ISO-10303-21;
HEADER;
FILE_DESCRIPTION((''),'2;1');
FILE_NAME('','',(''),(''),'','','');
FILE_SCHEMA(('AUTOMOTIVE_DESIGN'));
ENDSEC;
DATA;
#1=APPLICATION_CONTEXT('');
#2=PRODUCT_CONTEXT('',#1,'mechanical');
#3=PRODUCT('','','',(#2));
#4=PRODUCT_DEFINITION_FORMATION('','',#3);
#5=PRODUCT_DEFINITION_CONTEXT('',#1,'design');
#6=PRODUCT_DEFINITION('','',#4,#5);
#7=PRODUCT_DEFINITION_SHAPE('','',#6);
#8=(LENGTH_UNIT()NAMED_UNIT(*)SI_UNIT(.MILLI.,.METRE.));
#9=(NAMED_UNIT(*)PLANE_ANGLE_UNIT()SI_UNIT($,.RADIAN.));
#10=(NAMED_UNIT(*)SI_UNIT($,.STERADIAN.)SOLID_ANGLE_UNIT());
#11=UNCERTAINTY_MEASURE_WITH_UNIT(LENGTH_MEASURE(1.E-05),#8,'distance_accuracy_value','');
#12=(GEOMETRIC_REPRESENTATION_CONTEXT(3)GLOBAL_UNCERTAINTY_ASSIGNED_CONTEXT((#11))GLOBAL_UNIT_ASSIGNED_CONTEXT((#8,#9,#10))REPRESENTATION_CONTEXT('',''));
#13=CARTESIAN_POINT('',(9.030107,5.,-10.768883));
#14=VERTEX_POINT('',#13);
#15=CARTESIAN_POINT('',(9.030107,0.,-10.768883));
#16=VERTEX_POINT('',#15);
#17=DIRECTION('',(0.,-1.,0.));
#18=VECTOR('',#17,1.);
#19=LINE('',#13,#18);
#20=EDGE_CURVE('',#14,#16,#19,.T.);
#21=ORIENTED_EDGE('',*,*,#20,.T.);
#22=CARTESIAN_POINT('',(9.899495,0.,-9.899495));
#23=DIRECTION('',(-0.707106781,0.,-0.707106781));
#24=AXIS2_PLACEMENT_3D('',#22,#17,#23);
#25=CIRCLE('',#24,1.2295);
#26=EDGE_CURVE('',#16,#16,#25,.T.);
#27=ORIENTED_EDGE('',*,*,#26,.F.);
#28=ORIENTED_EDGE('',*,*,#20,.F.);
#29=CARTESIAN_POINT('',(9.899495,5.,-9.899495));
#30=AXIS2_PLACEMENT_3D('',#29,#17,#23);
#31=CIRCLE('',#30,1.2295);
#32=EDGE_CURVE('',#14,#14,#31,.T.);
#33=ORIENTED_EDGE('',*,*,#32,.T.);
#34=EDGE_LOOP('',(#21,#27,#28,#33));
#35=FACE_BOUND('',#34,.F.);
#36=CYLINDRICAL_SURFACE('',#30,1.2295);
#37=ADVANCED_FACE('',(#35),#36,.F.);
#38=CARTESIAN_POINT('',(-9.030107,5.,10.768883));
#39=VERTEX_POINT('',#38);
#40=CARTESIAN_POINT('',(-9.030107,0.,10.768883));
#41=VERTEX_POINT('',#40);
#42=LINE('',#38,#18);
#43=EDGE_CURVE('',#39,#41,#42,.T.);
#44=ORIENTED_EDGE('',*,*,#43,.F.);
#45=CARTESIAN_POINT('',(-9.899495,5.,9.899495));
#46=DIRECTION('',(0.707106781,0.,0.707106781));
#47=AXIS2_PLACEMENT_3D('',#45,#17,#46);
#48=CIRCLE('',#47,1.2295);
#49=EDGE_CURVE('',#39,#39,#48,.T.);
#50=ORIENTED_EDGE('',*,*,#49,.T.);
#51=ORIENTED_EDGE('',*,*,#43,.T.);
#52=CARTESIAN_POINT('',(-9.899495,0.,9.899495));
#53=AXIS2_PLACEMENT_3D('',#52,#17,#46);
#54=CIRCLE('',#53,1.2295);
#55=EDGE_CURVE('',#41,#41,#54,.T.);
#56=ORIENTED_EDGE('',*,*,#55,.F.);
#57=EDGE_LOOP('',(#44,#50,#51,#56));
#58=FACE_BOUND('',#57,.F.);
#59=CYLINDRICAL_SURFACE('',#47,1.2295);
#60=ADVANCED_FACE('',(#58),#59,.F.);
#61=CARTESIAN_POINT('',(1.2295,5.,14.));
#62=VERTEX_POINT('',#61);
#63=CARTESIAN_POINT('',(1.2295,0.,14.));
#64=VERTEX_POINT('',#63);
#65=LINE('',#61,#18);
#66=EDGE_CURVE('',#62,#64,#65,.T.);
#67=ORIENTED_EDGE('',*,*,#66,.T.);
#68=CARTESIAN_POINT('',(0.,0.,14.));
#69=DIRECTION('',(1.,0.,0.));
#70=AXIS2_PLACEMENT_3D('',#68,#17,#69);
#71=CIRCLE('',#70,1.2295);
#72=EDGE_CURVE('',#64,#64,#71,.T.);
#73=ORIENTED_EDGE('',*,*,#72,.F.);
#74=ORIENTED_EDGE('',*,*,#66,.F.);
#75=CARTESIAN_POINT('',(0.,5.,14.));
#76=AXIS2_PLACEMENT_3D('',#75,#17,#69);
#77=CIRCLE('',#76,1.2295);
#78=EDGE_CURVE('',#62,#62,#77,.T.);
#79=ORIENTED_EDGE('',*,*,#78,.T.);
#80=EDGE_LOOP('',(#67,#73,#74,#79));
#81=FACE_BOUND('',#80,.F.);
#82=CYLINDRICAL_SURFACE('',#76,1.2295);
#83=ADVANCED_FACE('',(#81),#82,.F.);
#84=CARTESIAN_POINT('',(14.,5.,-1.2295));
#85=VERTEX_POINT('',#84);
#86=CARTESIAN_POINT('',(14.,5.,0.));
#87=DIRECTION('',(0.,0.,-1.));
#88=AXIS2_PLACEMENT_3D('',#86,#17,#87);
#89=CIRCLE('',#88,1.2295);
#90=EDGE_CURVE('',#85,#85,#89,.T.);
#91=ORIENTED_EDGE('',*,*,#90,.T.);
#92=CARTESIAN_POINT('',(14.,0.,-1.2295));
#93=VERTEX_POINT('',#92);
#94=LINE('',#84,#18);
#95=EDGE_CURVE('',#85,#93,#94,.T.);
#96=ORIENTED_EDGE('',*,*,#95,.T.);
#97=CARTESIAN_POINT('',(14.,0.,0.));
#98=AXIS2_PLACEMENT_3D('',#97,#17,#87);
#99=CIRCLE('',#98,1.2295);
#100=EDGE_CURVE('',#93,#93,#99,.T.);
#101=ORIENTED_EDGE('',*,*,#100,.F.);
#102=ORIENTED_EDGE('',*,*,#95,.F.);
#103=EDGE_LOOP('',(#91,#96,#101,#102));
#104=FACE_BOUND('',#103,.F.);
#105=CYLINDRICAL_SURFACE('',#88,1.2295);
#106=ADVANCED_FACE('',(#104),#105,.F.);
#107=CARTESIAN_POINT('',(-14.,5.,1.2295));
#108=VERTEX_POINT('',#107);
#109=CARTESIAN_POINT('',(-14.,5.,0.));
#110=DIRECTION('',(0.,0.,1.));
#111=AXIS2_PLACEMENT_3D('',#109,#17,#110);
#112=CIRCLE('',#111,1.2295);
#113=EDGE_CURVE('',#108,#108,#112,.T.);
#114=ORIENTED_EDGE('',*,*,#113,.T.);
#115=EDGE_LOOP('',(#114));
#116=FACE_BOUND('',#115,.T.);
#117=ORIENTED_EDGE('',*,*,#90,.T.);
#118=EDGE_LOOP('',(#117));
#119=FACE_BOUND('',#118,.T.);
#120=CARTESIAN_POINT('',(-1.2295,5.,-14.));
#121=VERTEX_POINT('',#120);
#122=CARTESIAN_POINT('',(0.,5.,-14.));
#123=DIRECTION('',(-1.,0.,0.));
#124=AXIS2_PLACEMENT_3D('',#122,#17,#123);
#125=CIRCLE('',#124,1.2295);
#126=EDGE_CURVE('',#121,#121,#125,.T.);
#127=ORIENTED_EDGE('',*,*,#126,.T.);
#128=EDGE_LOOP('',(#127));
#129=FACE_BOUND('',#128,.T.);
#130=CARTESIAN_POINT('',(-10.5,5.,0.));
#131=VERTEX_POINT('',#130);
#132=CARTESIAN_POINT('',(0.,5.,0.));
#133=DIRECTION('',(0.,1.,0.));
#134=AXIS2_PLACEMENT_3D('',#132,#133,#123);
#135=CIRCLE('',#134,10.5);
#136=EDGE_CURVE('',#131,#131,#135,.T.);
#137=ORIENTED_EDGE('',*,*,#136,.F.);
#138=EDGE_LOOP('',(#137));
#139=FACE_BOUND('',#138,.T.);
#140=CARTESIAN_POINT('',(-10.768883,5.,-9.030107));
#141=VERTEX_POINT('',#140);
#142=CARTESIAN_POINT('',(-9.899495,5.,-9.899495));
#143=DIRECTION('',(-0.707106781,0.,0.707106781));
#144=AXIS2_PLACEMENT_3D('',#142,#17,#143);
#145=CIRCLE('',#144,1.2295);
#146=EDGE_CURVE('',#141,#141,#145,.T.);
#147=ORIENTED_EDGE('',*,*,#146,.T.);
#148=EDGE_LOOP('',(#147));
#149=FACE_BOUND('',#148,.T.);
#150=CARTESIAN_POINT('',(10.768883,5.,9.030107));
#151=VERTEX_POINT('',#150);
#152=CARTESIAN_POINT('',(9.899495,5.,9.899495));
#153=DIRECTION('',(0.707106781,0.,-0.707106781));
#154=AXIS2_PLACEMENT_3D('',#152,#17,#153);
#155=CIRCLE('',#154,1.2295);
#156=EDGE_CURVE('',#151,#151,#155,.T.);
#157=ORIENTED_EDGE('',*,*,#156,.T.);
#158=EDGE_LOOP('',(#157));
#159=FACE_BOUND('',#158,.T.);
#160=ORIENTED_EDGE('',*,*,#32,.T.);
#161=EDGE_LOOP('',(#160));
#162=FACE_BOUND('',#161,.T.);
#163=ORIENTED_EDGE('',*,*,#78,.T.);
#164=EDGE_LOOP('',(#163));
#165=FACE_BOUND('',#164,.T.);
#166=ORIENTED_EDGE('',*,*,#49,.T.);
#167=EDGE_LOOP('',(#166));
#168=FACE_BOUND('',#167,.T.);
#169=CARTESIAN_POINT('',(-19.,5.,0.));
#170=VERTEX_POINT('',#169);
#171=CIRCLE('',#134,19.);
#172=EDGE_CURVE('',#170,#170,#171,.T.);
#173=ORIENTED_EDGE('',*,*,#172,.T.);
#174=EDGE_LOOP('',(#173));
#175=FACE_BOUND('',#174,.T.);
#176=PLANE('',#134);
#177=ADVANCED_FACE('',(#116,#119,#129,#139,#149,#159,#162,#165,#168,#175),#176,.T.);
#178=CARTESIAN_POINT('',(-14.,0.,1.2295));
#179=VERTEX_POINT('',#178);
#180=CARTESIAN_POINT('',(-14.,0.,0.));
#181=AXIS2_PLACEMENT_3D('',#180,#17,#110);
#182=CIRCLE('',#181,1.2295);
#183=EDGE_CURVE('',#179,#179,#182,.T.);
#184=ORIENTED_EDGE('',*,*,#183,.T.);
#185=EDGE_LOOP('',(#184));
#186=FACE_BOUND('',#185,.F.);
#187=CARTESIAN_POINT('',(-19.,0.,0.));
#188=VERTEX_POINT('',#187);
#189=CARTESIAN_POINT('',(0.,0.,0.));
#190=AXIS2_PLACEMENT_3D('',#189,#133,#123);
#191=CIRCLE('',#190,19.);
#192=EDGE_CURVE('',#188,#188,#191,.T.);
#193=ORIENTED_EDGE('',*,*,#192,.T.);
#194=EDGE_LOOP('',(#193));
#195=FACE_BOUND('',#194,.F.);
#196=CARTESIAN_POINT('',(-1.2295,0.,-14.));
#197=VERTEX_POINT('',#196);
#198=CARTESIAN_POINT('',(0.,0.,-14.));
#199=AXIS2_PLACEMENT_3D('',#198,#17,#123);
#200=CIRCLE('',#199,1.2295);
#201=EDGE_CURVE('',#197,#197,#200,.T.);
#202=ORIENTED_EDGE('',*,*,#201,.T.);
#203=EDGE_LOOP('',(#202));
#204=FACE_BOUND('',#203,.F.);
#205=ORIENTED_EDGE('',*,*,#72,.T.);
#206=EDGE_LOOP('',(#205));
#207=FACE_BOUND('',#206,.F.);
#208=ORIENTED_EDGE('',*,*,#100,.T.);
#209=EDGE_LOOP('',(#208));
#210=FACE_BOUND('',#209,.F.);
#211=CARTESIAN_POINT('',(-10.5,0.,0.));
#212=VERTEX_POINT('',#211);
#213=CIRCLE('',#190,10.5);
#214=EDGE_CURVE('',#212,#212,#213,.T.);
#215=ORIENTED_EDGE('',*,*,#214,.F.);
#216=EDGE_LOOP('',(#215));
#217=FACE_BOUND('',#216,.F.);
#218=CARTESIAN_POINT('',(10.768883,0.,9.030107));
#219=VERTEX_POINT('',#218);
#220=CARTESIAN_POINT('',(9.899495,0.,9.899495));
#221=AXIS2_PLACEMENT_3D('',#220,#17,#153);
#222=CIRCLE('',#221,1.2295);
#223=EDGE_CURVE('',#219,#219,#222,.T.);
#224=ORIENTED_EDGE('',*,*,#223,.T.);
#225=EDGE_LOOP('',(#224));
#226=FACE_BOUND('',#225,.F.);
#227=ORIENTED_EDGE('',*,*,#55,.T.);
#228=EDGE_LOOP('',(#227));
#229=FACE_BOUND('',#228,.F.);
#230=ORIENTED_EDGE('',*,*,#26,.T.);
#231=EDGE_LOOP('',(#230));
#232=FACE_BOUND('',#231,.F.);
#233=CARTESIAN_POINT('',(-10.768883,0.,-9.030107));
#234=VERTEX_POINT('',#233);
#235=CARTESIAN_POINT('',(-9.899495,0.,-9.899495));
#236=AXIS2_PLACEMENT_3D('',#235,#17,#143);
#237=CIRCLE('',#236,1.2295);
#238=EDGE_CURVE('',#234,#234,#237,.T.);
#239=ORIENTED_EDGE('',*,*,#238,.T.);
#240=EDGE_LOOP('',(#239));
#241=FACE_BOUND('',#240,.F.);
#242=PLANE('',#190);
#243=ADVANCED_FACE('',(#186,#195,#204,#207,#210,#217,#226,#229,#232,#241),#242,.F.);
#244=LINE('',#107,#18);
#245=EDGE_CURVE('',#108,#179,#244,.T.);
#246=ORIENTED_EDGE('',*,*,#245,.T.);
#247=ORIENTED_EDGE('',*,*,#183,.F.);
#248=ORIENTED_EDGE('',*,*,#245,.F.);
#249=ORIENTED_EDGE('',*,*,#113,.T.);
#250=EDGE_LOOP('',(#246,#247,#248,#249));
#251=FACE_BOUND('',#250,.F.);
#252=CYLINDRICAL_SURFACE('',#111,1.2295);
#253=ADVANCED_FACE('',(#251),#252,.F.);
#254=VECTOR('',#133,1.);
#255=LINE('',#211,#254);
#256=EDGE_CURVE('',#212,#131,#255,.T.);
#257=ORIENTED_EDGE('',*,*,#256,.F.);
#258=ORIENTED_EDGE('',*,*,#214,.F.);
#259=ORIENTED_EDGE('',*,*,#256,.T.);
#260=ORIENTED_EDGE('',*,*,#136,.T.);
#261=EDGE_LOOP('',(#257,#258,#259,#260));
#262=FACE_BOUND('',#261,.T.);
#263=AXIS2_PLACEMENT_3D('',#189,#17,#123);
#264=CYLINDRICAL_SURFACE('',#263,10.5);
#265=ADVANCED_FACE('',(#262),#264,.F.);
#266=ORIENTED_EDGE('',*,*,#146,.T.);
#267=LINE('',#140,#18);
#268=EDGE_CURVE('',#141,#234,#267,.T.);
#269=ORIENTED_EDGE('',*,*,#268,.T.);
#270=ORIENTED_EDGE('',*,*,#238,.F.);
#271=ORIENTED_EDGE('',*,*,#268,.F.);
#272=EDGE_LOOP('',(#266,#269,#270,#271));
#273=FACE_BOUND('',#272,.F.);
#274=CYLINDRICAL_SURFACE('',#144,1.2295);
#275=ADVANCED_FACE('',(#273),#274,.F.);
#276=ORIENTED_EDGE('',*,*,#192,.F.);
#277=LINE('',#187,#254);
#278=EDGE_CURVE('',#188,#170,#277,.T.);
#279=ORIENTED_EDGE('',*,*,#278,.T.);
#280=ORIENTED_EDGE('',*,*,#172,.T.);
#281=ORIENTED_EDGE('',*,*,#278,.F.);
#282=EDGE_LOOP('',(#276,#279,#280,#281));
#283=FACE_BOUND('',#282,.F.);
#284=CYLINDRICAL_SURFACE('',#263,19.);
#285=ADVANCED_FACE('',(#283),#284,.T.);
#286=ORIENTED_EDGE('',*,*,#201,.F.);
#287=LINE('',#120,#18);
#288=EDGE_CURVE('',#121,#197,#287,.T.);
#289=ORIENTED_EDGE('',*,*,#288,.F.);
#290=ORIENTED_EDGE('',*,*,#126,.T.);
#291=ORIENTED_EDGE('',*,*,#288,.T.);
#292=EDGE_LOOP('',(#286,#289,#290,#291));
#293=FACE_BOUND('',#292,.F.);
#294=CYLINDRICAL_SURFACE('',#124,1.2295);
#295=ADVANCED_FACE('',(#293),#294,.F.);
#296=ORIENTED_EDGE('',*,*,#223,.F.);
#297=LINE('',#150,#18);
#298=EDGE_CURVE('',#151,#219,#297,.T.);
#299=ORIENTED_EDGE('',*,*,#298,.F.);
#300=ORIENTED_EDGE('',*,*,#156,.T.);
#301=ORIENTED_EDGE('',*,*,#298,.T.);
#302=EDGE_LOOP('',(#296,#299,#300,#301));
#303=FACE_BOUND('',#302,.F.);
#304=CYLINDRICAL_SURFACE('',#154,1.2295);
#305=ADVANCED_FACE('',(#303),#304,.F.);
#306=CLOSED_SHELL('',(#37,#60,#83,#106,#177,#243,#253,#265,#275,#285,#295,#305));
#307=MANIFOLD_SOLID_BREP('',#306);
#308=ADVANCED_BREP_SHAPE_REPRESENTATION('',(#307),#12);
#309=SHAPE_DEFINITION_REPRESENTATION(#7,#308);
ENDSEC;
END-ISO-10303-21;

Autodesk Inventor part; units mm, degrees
ref_plane "YZ Plane" through (0, 0, 0) normal (1, 0, 0) x (0, 1, 0)
ref_plane "XZ Plane" through (0, 0, 0) normal (0, 1, 0) x (-1, 0, 0)
ref_plane "XY Plane" through (0, 0, 0) normal (0, 0, 1) x (1, 0, 0)
sketch "Sketch1" plane through (0, 0, 0) normal (0, 1, 0) x (-1, 0, 0)
  circle A0 centre (0, 0) radius 19
  circle A1 centre (0, 0) radius 10.5
  dimension "d0" = 38
  dimension "d1" = 21
extrude "Extrusion1" add sketch "Sketch1" along normal blind 5
sketch "Sketch2" plane through (0, 5, 0) normal (0, 1, 0) x (1, 0, 0)
  circle A0 centre (0, 0) radius 14 construction
  point P0 (-14, 0)
  dimension "d4" = 28
hole "Hole1" at (-14, 5, 0) direction (0, -1, 0) diameter 2.459 depth 5 thread size "M3x0.5" class "6H" standard "ISO Metric profile"
pattern_circular "Circular Pattern1" count 8 over 360 about axis through (0, 0, 0) along (0, 1, 0) of "Hole1"
properties part number "212"
